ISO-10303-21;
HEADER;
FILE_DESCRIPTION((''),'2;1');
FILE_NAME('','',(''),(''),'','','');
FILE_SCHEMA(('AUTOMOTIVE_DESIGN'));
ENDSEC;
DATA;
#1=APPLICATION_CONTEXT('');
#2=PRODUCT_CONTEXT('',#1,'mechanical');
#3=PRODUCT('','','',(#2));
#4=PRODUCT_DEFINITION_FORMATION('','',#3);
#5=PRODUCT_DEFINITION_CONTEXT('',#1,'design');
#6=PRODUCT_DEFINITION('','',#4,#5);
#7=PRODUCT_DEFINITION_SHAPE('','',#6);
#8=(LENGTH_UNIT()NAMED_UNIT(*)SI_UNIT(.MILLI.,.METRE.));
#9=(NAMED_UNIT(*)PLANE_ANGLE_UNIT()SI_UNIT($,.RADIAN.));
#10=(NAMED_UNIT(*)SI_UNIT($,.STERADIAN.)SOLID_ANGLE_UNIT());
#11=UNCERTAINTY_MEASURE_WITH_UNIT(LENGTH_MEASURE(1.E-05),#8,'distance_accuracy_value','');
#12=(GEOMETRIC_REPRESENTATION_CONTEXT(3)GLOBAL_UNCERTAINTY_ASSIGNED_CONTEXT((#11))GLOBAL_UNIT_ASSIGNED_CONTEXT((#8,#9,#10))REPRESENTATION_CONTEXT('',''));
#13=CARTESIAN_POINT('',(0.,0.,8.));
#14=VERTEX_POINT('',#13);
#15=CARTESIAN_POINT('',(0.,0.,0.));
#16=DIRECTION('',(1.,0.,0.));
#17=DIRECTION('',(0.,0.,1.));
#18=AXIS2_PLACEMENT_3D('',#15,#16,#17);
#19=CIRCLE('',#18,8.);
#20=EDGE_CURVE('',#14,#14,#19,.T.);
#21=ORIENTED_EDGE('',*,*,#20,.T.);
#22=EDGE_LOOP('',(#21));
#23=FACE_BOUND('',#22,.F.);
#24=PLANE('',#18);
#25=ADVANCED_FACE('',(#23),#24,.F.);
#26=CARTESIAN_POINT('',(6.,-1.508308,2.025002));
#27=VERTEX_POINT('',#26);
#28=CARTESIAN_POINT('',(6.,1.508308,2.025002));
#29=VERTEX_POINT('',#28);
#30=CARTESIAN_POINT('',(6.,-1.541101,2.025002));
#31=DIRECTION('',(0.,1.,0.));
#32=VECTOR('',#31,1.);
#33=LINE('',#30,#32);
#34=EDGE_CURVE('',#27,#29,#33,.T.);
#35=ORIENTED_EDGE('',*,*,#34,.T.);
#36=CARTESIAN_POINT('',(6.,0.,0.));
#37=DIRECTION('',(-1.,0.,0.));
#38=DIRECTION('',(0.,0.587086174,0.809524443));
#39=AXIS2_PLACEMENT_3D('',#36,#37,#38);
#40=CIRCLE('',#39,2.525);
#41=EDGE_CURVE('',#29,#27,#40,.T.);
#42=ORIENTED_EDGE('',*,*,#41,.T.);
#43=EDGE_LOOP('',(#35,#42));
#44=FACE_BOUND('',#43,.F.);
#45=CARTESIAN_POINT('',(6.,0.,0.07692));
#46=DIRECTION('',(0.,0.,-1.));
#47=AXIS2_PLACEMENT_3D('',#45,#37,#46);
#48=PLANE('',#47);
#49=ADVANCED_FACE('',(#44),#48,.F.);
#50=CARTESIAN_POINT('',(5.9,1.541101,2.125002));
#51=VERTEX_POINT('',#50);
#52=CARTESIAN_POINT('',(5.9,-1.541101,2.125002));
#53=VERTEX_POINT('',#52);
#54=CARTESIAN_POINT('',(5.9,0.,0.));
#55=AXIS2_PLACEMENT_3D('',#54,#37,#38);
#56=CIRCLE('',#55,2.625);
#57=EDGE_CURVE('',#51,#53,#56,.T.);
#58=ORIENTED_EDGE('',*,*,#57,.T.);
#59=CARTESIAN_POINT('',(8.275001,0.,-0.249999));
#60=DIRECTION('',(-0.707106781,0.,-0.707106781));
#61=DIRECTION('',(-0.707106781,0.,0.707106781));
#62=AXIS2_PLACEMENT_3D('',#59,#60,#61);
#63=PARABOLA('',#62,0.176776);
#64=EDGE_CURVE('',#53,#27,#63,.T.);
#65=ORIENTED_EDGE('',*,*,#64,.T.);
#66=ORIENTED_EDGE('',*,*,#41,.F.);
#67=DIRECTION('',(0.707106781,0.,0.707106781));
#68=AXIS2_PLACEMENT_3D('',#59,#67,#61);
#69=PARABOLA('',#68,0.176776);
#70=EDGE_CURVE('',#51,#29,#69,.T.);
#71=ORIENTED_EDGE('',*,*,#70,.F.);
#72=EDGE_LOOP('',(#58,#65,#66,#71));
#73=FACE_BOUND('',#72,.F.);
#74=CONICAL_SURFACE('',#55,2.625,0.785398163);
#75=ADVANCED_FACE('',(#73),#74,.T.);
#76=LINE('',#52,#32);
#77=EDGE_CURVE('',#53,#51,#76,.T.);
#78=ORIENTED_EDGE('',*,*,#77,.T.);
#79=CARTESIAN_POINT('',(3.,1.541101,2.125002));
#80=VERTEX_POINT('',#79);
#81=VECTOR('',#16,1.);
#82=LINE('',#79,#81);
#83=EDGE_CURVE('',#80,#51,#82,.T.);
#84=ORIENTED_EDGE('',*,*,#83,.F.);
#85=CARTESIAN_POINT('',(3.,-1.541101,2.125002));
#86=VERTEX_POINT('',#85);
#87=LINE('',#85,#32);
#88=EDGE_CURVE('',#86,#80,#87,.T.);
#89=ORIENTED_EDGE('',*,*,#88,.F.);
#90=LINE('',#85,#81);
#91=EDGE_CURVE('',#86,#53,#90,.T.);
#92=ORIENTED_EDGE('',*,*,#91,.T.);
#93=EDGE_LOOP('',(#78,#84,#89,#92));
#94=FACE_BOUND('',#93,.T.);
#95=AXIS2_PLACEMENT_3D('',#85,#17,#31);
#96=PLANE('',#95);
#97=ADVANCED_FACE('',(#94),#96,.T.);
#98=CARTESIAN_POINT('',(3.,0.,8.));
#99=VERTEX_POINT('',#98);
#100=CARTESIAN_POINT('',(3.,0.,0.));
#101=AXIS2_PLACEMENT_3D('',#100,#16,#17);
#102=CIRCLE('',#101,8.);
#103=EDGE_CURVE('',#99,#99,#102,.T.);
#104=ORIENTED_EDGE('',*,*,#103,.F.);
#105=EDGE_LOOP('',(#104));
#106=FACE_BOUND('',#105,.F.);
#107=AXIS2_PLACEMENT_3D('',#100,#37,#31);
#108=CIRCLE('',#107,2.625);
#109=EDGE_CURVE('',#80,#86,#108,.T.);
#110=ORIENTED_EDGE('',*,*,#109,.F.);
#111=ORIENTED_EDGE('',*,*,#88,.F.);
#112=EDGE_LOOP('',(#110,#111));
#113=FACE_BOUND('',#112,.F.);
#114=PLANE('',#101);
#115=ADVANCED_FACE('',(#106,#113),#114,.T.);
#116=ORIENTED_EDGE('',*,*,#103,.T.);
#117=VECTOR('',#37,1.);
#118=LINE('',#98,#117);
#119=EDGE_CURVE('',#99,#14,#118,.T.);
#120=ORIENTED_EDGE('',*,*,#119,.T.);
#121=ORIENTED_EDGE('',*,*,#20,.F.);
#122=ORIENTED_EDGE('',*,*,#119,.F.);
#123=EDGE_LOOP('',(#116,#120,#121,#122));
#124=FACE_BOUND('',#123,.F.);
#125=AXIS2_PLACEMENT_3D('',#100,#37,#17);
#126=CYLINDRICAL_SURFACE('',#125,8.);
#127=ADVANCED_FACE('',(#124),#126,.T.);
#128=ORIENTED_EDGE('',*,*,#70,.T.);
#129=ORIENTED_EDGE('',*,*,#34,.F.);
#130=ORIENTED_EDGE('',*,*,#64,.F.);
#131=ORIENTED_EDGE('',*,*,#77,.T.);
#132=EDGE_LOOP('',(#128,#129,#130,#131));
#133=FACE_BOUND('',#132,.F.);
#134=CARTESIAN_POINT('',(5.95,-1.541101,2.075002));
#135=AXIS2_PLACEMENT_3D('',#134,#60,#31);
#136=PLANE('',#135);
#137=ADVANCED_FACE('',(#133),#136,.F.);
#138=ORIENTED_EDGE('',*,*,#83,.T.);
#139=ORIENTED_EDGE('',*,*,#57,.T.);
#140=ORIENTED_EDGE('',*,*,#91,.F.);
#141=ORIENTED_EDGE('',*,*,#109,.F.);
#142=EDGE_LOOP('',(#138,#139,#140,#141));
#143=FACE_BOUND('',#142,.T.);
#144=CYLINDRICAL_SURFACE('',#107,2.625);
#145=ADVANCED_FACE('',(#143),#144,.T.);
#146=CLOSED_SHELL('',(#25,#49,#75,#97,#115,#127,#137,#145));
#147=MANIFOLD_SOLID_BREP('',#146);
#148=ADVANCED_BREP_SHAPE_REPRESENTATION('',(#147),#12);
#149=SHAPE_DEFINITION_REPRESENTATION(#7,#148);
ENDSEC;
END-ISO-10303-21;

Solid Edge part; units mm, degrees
sketch "Sketch1" plane through (0, 0, 0) normal (0, -1, 0) x (1, 0, 0)
  line L0 (3, 0) -> (3, 8)
  line L1 (3, 8) -> (0, 8)
  line L2 (0, 8) -> (0, 0)
  dimension "D1" = 3
revolve "RevolvedProtrusion1" add sketch "Sketch1" angle 360 about axis through (0, 0, 0) along (1, 0, 0)
sketch "Sketch2" plane through (3, 0, 0) normal (1, 0, 0) x (0, 1, 0)
  line L0 (-1.5411, 2.125) -> (1.5411, 2.125)
  arc A0 (1.5411, 2.125) -> (-1.5411, 2.125) centre (0, 0) cw
  dimension "D1" = 2.125
extrude "Protrusion1" add sketch "Sketch2" along normal blind 3
chamfer "Fase_2" distance 0.1 angle 45 2 edges at (6, 0, -2.625) (6, 0, 2.125)
